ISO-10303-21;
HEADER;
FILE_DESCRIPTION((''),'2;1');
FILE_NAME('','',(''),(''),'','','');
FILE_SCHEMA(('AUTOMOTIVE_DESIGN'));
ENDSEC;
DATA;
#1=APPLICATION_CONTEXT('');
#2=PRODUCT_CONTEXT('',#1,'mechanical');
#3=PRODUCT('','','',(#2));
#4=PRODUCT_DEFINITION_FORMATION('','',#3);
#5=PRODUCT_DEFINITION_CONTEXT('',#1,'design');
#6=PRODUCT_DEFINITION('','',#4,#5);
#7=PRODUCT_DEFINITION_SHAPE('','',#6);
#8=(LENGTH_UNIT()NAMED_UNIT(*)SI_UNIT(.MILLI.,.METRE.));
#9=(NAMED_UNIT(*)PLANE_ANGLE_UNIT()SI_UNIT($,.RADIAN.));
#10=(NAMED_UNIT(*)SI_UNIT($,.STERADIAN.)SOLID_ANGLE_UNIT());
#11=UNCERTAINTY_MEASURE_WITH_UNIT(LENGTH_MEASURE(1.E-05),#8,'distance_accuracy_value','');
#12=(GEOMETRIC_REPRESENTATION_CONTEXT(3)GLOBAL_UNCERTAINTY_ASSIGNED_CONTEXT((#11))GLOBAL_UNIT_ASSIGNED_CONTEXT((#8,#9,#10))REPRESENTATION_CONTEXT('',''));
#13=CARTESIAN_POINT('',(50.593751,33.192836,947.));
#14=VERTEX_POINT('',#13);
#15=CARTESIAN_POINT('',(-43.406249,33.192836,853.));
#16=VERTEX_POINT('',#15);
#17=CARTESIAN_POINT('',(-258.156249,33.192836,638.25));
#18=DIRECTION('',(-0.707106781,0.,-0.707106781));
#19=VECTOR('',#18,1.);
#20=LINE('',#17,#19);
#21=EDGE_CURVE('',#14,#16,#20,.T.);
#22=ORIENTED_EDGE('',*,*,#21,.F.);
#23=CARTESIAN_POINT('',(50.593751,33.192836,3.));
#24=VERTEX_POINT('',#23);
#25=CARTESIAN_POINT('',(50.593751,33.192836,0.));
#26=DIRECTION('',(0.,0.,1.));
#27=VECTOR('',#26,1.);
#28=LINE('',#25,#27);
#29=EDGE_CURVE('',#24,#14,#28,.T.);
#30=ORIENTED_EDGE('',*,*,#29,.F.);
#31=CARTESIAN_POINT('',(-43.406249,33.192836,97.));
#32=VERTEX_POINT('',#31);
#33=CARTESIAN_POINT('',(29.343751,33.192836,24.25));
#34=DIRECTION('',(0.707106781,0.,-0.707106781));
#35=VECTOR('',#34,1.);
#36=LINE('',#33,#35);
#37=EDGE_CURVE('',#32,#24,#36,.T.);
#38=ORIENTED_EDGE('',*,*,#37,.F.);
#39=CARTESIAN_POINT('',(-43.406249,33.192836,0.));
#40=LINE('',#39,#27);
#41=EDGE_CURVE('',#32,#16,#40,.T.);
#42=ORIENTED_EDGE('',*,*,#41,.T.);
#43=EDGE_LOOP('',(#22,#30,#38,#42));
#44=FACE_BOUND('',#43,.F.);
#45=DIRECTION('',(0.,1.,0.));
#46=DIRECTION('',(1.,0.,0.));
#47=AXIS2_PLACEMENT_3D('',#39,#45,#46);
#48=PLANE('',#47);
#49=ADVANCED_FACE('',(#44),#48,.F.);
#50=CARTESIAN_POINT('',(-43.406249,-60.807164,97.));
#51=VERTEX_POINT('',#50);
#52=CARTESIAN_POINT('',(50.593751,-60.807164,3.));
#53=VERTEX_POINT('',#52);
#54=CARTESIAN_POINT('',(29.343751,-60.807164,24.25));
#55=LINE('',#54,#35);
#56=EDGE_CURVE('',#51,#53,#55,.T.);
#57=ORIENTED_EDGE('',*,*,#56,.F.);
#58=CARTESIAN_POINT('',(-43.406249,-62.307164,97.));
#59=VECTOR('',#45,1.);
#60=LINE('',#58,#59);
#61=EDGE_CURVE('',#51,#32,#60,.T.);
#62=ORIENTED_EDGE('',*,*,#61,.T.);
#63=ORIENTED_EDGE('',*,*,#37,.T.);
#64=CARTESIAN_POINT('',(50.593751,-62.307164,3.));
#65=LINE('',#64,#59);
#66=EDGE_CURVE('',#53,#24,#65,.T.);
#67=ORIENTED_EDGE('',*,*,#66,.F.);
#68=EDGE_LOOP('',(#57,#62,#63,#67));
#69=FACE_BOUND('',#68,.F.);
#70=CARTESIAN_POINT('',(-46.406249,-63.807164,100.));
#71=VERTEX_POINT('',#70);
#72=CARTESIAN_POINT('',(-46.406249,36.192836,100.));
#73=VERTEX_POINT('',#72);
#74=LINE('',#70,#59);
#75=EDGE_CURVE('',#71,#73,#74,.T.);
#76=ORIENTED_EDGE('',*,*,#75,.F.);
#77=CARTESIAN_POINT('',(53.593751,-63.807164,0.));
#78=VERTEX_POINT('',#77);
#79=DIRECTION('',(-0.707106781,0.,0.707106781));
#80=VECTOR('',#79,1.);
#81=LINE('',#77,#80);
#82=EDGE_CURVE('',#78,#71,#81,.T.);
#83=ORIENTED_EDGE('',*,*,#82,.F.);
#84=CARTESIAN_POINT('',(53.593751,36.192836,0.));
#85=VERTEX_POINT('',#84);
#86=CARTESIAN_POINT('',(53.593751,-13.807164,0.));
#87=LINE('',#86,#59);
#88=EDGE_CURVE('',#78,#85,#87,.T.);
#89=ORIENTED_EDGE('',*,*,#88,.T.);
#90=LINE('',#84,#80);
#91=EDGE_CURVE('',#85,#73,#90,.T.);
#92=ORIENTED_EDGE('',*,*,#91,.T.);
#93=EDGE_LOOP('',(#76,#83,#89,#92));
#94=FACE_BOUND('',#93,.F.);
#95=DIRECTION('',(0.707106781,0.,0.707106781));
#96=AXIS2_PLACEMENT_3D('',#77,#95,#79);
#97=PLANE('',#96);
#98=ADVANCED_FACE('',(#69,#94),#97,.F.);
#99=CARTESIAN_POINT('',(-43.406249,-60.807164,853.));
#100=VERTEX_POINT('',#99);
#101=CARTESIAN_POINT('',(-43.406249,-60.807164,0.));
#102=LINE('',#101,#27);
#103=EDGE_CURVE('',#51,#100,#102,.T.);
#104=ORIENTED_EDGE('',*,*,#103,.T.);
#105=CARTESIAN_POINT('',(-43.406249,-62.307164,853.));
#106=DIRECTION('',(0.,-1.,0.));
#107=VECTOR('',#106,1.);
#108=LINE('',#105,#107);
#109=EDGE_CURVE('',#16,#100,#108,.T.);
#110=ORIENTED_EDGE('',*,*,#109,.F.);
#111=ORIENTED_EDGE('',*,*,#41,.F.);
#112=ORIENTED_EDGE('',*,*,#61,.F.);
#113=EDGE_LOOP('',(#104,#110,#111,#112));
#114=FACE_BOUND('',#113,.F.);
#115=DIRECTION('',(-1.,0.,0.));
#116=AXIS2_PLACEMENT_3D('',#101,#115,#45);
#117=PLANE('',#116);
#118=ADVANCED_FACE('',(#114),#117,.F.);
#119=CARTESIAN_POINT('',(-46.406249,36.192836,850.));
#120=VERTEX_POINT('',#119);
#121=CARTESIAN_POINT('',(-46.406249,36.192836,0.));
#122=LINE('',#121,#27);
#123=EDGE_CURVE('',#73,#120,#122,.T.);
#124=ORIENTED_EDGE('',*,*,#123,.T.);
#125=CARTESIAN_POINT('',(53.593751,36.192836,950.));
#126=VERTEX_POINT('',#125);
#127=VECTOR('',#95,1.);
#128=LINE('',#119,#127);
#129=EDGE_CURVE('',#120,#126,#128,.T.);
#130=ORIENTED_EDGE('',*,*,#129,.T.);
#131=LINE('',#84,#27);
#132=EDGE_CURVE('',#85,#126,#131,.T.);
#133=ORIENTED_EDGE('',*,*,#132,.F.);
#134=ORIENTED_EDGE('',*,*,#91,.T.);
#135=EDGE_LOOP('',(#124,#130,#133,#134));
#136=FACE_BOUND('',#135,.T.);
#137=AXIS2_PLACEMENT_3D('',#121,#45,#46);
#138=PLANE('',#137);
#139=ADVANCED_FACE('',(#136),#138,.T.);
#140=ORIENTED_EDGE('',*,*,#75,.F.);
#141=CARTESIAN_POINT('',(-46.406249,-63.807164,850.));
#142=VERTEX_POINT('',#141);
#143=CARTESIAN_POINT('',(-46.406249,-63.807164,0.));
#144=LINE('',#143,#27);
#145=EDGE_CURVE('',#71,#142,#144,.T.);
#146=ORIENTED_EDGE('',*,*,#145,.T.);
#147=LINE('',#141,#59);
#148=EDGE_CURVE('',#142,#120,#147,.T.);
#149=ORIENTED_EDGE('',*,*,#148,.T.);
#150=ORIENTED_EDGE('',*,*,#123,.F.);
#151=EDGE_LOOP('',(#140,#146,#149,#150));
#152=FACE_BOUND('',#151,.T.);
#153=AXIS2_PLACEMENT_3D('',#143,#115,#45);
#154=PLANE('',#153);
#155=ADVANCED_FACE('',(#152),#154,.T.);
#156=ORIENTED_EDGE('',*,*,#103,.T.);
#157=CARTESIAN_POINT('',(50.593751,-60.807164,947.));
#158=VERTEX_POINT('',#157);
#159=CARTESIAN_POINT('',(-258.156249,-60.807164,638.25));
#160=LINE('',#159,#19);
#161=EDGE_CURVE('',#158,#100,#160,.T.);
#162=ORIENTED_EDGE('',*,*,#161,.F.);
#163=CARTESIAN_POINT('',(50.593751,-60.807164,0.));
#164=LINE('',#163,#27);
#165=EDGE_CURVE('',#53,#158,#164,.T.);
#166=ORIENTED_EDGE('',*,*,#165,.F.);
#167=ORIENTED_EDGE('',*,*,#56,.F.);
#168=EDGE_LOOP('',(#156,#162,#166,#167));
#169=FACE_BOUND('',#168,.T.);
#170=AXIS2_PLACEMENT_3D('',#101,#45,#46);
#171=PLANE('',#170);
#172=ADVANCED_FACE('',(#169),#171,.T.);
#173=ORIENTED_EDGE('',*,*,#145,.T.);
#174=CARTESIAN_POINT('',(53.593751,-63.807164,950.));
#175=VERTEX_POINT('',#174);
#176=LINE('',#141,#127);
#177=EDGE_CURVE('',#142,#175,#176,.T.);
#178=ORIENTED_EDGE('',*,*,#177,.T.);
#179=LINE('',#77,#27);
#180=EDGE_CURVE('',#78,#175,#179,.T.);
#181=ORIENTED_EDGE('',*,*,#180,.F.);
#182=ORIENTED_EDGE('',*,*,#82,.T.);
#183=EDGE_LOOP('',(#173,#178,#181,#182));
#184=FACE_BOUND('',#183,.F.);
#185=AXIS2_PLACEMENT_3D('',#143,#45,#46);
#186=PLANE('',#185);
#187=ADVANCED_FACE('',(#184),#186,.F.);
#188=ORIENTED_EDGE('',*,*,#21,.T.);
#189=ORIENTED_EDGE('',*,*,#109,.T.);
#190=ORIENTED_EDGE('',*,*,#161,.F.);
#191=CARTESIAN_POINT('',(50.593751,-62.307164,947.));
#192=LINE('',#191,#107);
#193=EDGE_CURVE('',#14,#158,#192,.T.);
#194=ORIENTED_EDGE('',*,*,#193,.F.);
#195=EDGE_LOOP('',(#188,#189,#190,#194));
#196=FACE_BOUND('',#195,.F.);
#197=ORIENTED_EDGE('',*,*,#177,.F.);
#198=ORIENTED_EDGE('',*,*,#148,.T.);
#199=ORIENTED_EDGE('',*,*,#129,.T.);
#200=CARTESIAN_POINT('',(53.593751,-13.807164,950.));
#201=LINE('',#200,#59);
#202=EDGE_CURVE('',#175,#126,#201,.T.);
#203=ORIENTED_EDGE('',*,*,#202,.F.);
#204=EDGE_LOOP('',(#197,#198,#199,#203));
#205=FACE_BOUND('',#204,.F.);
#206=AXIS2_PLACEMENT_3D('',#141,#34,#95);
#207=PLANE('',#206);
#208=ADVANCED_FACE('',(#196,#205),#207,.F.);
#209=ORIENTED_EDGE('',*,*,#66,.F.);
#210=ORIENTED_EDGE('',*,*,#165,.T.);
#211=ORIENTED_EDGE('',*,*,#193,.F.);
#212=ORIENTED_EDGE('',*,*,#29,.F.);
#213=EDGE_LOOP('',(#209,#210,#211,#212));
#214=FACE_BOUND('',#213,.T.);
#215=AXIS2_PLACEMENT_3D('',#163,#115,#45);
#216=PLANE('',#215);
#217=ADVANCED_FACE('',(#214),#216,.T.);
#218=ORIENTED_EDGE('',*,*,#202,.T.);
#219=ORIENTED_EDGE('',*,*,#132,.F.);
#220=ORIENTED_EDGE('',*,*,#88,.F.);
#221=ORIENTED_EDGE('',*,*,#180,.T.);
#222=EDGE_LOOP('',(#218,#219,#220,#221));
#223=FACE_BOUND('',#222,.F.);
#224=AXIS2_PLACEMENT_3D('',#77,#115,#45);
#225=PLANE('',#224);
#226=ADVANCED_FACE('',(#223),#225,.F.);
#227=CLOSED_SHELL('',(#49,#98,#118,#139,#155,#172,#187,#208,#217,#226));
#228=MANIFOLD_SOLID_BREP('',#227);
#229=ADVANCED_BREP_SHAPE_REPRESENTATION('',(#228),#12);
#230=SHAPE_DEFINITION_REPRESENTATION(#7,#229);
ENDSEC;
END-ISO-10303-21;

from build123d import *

# Parameters (mm, degrees)
F0_W     = 100
F0_H     = 100
F0_W_2   = 94
F0_H_2   = 94
F1_DEPTH = 950
F3_DEPTH = 100
F5_DEPTH = 100


with BuildPart() as f1:
    # F0 (on Top) → F1 (new body)
    with BuildSketch(Plane.XY):
        with Locations((3.593751, -13.807164)):
            Rectangle(F0_W, F0_H)
        with Locations((3.593751, -13.807164)):
            Rectangle(F0_W_2, F0_H_2, mode=Mode.SUBTRACT)
    extrude(amount=F1_DEPTH)

    # F2 (on face) → F3 (cut)
    with BuildSketch(Plane.XZ.offset(63.807164)):
        Polygon((-46.406249, 850), (53.593751, 950), (-46.406249, 950), align=None)
    extrude(amount=-F3_DEPTH, mode=Mode.SUBTRACT)

    # F4 (on face) → F5 (cut)
    with BuildSketch(Plane.XZ.offset(63.807164)):
        Polygon((-46.406249, 0), (53.593751, 0), (-46.406249, 100), align=None)
    extrude(amount=-F5_DEPTH, mode=Mode.SUBTRACT)


solid = f1.part
